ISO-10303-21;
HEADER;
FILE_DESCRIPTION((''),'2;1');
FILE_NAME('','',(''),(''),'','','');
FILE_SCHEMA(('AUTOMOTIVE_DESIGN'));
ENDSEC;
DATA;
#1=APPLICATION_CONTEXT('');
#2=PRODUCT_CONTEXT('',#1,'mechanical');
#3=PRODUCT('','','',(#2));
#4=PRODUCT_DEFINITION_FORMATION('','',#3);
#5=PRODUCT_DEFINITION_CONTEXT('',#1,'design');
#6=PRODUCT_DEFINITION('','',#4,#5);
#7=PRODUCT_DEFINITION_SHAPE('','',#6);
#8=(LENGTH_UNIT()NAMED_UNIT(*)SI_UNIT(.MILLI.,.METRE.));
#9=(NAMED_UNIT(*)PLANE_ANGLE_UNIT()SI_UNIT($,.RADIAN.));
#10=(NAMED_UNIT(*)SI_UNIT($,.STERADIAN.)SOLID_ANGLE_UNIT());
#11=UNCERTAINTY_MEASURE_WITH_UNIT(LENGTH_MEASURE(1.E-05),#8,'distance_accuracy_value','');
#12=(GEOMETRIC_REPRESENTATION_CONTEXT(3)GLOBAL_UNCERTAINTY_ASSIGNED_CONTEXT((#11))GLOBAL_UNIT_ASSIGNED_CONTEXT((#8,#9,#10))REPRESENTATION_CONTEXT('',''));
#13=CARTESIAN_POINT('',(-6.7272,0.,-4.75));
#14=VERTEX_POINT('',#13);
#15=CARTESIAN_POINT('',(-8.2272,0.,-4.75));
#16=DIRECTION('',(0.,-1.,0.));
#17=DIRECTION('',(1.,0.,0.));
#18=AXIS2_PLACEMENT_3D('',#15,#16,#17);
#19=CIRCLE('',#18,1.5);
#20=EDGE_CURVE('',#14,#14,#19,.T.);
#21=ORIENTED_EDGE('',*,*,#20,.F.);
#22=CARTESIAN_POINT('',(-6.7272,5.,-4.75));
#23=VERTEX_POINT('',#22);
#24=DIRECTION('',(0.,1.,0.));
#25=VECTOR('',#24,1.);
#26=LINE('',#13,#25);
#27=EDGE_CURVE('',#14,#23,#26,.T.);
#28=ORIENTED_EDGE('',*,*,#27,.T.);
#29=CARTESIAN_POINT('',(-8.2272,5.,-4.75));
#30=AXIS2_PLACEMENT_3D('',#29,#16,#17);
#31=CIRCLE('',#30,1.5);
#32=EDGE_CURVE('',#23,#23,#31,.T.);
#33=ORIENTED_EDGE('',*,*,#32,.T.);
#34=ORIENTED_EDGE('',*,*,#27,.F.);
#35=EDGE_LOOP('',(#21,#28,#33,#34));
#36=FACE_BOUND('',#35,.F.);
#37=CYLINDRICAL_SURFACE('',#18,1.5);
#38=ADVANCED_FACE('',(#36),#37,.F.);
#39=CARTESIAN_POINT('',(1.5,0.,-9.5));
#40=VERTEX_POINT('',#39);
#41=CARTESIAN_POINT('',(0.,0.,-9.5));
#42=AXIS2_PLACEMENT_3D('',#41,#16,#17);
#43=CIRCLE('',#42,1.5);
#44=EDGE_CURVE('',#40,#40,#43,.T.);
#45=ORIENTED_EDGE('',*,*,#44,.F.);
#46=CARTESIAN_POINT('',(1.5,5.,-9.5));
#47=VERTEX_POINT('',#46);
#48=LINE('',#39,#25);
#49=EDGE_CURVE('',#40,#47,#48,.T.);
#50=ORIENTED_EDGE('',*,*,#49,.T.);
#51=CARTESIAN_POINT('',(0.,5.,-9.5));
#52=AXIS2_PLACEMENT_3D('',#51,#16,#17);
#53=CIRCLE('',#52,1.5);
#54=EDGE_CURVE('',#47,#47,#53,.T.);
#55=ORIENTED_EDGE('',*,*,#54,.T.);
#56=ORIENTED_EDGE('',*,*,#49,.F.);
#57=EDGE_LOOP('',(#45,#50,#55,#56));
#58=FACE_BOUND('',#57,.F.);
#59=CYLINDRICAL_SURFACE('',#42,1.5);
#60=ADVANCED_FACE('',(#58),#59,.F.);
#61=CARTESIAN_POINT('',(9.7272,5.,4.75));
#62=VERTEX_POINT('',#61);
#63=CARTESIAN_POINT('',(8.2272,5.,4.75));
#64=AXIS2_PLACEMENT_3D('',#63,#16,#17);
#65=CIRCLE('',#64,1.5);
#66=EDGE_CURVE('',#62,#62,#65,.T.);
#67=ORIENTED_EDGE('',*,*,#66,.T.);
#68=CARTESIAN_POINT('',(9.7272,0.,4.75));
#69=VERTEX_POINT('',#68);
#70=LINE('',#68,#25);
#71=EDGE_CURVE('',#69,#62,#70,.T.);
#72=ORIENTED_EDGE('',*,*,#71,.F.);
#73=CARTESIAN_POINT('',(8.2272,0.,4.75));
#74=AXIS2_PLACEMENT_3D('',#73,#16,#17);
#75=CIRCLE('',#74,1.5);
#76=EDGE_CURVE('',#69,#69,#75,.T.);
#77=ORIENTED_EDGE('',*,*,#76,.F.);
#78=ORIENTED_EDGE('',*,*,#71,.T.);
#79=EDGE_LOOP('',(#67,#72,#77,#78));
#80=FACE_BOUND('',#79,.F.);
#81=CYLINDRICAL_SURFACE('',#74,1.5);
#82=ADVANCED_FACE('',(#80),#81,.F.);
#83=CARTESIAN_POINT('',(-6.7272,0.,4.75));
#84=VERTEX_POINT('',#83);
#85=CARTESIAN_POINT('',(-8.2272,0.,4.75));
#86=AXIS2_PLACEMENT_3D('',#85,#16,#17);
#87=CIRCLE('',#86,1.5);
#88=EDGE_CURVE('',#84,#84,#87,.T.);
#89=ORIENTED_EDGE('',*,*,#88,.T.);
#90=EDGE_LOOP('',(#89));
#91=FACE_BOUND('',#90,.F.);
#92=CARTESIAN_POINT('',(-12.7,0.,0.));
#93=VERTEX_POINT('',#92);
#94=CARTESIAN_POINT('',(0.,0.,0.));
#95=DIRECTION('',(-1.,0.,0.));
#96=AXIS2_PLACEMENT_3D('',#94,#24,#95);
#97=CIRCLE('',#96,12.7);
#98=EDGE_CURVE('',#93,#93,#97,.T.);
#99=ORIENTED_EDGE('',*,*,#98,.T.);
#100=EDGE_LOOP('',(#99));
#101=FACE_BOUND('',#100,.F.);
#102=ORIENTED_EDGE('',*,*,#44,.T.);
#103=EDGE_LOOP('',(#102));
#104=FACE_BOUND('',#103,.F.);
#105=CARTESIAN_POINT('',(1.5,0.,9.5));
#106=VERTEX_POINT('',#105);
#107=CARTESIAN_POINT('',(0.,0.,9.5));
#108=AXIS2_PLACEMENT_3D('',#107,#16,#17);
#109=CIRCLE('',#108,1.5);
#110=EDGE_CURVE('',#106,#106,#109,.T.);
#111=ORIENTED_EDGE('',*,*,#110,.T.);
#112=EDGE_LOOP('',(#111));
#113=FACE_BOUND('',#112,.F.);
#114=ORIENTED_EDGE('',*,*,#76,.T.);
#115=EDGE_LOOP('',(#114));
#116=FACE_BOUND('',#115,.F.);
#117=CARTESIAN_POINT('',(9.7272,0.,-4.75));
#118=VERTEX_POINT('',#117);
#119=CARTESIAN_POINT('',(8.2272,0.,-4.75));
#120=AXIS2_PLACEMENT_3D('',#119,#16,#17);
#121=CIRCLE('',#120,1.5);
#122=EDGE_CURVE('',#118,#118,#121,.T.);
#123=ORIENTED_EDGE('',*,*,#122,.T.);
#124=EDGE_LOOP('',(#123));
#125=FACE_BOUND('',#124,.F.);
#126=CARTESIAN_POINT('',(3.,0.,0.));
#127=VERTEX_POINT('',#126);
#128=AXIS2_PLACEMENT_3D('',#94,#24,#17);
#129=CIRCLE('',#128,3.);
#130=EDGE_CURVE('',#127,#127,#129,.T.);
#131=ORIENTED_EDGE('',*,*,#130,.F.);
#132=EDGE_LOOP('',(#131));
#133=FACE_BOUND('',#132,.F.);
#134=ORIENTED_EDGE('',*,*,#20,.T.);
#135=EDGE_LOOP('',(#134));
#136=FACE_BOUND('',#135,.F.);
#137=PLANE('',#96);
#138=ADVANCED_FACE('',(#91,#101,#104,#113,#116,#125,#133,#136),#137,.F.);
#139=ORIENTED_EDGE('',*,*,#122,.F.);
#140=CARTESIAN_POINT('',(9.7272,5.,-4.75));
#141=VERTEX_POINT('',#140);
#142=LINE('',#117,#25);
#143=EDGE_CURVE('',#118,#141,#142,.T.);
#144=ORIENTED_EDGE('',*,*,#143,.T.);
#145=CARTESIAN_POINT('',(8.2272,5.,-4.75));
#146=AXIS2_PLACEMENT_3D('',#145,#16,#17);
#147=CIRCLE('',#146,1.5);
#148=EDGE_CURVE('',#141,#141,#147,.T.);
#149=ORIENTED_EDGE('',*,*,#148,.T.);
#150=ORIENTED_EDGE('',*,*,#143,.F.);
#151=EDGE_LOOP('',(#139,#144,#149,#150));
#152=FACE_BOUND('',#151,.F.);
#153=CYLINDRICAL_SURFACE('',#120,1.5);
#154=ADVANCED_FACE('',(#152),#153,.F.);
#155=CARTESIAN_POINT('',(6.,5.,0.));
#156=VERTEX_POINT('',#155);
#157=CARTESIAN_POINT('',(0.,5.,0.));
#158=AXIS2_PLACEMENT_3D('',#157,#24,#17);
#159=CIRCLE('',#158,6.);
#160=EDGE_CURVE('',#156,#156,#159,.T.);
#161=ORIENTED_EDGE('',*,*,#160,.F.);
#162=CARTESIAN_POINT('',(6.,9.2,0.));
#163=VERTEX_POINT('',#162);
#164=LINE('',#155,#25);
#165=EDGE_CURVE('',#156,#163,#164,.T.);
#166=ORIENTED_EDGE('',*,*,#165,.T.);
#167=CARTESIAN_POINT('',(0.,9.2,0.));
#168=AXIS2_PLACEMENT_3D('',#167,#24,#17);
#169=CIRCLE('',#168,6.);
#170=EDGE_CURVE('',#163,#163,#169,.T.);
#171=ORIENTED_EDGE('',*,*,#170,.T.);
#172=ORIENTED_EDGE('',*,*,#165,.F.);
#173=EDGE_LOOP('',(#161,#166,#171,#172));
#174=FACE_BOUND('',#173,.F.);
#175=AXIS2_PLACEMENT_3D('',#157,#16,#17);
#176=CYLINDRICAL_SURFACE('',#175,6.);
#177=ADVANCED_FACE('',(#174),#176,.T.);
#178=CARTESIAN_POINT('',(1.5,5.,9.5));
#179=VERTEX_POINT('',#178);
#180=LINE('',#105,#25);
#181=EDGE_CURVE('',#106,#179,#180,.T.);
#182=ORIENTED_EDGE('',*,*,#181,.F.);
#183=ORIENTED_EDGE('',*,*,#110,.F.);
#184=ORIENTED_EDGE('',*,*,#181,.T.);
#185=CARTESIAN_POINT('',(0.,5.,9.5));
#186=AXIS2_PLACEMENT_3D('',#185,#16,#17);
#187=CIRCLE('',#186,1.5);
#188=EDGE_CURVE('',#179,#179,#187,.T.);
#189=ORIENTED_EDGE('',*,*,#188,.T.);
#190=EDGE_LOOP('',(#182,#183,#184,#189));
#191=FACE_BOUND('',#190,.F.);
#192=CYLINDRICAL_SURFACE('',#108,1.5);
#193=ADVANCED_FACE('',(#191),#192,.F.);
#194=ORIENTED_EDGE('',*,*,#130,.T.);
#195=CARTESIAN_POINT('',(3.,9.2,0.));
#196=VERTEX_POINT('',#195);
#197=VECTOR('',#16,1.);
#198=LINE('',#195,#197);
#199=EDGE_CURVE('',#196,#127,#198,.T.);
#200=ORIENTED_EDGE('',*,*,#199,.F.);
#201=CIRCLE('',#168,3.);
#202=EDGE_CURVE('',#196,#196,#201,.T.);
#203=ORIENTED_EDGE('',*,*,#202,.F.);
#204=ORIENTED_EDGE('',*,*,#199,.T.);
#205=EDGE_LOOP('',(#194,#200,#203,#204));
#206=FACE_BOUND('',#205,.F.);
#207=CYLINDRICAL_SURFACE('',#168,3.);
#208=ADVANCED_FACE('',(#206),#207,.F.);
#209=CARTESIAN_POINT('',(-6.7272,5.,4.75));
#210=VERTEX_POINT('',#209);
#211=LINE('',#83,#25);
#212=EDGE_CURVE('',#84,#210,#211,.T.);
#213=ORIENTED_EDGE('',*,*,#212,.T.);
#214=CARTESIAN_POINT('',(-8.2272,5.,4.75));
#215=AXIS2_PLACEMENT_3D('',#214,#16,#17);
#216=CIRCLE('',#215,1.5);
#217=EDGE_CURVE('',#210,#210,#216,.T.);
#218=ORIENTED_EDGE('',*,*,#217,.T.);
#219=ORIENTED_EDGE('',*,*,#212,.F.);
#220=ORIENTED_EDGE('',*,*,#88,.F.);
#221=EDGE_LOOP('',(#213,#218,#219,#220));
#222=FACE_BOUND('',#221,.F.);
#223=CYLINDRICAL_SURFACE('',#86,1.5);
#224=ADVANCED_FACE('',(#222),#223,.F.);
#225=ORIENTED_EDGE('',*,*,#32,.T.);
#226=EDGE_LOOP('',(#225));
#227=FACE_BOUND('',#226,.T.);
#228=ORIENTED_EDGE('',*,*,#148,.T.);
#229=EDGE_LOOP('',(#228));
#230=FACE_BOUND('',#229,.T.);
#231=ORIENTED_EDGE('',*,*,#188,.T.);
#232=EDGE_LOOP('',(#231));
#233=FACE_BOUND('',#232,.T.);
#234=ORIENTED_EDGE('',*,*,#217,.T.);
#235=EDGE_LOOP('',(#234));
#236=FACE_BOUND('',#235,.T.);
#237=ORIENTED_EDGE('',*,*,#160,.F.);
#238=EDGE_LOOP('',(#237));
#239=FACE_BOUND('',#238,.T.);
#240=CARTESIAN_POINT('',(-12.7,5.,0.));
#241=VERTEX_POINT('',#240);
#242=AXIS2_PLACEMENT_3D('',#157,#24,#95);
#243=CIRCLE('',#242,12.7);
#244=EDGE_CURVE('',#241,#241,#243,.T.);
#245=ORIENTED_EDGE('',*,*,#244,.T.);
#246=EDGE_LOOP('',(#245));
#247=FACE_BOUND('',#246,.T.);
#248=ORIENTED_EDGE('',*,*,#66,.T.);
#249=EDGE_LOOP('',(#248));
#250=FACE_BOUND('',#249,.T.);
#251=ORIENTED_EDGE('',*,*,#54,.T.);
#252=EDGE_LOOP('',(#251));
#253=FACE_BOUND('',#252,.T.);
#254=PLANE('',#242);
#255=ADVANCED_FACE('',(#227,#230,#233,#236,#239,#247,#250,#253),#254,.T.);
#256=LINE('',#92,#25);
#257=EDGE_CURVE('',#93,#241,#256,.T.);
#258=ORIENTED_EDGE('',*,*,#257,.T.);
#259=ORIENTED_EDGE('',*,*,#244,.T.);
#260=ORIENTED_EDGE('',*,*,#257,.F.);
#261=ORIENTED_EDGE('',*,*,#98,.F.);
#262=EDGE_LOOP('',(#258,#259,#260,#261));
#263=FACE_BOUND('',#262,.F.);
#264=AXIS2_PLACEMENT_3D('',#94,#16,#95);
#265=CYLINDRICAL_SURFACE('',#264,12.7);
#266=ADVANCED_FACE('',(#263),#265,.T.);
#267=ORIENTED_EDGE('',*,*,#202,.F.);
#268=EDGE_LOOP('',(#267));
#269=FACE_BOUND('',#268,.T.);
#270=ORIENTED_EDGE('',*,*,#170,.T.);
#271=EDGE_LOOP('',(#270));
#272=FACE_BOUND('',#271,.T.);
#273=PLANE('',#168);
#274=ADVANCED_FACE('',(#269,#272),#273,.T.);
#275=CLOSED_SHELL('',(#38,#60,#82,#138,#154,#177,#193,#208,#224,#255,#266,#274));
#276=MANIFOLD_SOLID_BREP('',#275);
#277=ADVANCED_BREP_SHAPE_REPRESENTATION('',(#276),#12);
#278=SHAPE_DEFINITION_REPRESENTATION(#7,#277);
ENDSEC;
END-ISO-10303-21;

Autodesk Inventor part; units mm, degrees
ref_plane "YZ Plane" through (0, 0, 0) normal (1, 0, 0) x (0, 1, 0)
ref_plane "XZ Plane" through (0, 0, 0) normal (0, 1, 0) x (-1, 0, 0)
ref_plane "XY Plane" through (0, 0, 0) normal (0, 0, 1) x (1, 0, 0)
sketch "Esquisse1" plane through (0, 0, 0) normal (0, 1, 0) x (-1, 0, 0)
  circle A0 centre (0, 0) radius 12.7
  dimension "d0" = 25.4
extrude "Extrusion1" add sketch "Esquisse1" along normal blind 5
sketch "Esquisse2" plane through (0, 5, 0) normal (0, 1, 0) x (1, 0, 0)
  circle A0 centre (0, 0) radius 12.7 projected
  circle A1 centre (0, 0) radius 6
  dimension "d3" = 12
extrude "Extrusion2" add sketch "Esquisse2" along normal blind 4.2 contours A1
sketch "Esquisse3" plane through (0, 9.2, 0) normal (0, 1, 0) x (1, 0, 0)
  circle A0 centre (0, 0) radius 6 projected
  circle A1 centre (0, 0) radius 3
  dimension "d6" = 6
extrude "Extrusion3" cut sketch "Esquisse3" against normal through all contours A1
sketch "Esquisse4" plane through (0, 0, 0) normal (0, -1, 0) x (1, 0, 0)
  circle A0 centre (0, 0) radius 3 projected
  circle A1 centre (0, 9.5) radius 1.5
  circle A2 centre (-8.2272, 4.75) radius 1.5
  circle A3 centre (-8.2272, -4.75) radius 1.5
  circle A4 centre (0, -9.5) radius 1.5
  circle A5 centre (8.2272, -4.75) radius 1.5
  circle A6 centre (8.2272, 4.75) radius 1.5
  dimension "d9" = 3
  dimension "d10" = 9.5
  dimension "d11" = 0
  dimension "d14" = 360
extrude "Extrusion4" cut sketch "Esquisse4" against normal through all contours A1 | A2 | A3 | A4 | A5 | A6
properties part number "hub_6mm_M3"
